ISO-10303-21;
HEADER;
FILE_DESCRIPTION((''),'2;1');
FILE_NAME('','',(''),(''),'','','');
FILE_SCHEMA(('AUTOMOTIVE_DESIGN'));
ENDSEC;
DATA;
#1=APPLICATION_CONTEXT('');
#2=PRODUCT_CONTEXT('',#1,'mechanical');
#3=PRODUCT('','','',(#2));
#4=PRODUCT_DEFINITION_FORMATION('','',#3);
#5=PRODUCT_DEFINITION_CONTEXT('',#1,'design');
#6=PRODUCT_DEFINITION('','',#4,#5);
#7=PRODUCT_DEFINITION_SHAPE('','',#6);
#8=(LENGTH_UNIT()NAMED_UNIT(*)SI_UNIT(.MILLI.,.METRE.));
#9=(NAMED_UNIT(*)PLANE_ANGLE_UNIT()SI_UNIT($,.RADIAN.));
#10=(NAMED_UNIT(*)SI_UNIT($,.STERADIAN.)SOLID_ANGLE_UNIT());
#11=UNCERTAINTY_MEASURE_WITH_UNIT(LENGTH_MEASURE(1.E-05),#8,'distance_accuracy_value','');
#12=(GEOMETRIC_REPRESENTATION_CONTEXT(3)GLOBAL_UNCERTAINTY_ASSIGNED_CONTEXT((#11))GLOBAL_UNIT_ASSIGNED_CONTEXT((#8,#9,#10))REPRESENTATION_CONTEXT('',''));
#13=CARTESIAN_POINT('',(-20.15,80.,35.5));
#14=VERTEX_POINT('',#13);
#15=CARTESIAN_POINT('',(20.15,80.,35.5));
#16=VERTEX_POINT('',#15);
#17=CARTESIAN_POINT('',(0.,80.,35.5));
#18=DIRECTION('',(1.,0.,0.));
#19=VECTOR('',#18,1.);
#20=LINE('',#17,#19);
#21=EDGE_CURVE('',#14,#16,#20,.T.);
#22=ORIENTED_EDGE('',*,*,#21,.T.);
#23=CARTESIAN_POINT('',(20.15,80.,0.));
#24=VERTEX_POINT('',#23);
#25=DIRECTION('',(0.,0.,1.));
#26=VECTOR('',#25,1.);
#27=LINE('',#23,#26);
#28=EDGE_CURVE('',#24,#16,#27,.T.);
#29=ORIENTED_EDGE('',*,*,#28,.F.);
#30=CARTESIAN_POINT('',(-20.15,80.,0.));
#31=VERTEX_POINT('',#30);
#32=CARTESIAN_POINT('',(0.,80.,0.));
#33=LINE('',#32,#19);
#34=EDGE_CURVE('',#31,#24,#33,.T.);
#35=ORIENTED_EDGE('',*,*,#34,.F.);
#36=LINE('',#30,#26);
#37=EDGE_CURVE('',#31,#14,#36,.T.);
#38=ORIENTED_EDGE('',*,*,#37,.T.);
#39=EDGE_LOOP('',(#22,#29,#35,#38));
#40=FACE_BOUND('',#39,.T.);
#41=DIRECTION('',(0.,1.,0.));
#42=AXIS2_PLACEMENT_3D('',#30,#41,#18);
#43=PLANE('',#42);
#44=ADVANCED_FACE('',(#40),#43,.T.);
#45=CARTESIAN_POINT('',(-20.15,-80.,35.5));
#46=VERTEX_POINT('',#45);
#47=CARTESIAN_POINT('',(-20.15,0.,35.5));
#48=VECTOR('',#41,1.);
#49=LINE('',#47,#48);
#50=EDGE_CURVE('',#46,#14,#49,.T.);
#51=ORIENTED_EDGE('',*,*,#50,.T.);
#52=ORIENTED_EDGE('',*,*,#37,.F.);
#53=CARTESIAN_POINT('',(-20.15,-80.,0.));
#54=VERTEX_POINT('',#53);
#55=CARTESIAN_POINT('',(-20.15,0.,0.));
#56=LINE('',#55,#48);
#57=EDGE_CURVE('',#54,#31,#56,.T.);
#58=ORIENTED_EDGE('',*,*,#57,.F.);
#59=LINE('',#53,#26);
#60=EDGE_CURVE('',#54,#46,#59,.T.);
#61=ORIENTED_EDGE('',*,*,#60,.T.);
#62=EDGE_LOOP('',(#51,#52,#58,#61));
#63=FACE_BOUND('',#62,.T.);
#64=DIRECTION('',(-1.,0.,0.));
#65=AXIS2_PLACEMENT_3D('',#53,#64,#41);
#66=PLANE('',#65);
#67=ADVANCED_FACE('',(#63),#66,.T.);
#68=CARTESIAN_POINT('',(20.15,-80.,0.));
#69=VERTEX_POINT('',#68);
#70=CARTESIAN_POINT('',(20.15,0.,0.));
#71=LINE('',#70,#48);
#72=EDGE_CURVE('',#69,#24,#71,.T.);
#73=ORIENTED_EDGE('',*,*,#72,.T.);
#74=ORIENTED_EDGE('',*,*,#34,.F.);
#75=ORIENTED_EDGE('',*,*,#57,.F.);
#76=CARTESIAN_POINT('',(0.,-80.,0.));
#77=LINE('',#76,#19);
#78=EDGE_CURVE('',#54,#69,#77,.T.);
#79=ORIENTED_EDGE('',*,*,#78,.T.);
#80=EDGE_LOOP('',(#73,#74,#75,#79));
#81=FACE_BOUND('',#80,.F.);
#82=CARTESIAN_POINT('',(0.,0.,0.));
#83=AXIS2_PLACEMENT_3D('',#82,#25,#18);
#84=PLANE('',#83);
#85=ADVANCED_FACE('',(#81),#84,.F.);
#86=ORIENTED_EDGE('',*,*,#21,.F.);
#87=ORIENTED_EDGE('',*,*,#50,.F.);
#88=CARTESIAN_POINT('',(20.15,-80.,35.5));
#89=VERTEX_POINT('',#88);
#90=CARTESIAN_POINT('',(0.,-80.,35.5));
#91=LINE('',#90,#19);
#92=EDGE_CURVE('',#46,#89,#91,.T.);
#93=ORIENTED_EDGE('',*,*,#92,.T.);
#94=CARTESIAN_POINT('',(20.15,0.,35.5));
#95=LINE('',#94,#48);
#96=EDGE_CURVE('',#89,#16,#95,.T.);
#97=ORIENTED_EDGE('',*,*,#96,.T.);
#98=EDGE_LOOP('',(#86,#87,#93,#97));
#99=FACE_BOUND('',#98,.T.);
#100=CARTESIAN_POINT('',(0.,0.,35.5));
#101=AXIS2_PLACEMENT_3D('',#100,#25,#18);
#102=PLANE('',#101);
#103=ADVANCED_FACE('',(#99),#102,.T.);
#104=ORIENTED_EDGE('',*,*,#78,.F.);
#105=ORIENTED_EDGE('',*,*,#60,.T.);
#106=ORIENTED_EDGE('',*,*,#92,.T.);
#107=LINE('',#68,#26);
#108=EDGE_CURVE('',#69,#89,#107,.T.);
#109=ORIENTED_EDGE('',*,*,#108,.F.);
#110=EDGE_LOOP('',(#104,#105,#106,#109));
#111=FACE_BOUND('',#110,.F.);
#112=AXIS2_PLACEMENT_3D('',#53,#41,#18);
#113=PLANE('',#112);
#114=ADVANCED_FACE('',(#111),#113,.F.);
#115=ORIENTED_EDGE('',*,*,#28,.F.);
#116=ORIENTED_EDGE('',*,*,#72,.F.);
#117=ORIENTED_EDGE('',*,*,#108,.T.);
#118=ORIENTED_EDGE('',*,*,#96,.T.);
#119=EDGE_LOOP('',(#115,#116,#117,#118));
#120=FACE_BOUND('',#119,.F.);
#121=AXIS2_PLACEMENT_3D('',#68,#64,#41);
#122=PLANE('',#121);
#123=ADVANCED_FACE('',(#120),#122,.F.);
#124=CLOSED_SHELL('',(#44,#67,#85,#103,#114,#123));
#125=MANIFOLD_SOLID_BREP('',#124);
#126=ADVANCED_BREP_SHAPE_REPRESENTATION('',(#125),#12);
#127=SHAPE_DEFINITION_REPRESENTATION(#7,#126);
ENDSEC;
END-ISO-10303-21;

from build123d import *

# Parameters (mm, degrees)
BOX_W     = 40.3
BOX_H     = 160
BOX_DEPTH = 35.5


with BuildPart() as part:
    # Box → Box (join)
    with BuildSketch(Plane(origin=(-20.15, -80, 0), x_dir=(1, 0, 0), z_dir=(0, 0, 1))):
        with Locations((20.15, 80)):
            Rectangle(BOX_W, BOX_H)
    extrude(amount=BOX_DEPTH)


solid = part.part
